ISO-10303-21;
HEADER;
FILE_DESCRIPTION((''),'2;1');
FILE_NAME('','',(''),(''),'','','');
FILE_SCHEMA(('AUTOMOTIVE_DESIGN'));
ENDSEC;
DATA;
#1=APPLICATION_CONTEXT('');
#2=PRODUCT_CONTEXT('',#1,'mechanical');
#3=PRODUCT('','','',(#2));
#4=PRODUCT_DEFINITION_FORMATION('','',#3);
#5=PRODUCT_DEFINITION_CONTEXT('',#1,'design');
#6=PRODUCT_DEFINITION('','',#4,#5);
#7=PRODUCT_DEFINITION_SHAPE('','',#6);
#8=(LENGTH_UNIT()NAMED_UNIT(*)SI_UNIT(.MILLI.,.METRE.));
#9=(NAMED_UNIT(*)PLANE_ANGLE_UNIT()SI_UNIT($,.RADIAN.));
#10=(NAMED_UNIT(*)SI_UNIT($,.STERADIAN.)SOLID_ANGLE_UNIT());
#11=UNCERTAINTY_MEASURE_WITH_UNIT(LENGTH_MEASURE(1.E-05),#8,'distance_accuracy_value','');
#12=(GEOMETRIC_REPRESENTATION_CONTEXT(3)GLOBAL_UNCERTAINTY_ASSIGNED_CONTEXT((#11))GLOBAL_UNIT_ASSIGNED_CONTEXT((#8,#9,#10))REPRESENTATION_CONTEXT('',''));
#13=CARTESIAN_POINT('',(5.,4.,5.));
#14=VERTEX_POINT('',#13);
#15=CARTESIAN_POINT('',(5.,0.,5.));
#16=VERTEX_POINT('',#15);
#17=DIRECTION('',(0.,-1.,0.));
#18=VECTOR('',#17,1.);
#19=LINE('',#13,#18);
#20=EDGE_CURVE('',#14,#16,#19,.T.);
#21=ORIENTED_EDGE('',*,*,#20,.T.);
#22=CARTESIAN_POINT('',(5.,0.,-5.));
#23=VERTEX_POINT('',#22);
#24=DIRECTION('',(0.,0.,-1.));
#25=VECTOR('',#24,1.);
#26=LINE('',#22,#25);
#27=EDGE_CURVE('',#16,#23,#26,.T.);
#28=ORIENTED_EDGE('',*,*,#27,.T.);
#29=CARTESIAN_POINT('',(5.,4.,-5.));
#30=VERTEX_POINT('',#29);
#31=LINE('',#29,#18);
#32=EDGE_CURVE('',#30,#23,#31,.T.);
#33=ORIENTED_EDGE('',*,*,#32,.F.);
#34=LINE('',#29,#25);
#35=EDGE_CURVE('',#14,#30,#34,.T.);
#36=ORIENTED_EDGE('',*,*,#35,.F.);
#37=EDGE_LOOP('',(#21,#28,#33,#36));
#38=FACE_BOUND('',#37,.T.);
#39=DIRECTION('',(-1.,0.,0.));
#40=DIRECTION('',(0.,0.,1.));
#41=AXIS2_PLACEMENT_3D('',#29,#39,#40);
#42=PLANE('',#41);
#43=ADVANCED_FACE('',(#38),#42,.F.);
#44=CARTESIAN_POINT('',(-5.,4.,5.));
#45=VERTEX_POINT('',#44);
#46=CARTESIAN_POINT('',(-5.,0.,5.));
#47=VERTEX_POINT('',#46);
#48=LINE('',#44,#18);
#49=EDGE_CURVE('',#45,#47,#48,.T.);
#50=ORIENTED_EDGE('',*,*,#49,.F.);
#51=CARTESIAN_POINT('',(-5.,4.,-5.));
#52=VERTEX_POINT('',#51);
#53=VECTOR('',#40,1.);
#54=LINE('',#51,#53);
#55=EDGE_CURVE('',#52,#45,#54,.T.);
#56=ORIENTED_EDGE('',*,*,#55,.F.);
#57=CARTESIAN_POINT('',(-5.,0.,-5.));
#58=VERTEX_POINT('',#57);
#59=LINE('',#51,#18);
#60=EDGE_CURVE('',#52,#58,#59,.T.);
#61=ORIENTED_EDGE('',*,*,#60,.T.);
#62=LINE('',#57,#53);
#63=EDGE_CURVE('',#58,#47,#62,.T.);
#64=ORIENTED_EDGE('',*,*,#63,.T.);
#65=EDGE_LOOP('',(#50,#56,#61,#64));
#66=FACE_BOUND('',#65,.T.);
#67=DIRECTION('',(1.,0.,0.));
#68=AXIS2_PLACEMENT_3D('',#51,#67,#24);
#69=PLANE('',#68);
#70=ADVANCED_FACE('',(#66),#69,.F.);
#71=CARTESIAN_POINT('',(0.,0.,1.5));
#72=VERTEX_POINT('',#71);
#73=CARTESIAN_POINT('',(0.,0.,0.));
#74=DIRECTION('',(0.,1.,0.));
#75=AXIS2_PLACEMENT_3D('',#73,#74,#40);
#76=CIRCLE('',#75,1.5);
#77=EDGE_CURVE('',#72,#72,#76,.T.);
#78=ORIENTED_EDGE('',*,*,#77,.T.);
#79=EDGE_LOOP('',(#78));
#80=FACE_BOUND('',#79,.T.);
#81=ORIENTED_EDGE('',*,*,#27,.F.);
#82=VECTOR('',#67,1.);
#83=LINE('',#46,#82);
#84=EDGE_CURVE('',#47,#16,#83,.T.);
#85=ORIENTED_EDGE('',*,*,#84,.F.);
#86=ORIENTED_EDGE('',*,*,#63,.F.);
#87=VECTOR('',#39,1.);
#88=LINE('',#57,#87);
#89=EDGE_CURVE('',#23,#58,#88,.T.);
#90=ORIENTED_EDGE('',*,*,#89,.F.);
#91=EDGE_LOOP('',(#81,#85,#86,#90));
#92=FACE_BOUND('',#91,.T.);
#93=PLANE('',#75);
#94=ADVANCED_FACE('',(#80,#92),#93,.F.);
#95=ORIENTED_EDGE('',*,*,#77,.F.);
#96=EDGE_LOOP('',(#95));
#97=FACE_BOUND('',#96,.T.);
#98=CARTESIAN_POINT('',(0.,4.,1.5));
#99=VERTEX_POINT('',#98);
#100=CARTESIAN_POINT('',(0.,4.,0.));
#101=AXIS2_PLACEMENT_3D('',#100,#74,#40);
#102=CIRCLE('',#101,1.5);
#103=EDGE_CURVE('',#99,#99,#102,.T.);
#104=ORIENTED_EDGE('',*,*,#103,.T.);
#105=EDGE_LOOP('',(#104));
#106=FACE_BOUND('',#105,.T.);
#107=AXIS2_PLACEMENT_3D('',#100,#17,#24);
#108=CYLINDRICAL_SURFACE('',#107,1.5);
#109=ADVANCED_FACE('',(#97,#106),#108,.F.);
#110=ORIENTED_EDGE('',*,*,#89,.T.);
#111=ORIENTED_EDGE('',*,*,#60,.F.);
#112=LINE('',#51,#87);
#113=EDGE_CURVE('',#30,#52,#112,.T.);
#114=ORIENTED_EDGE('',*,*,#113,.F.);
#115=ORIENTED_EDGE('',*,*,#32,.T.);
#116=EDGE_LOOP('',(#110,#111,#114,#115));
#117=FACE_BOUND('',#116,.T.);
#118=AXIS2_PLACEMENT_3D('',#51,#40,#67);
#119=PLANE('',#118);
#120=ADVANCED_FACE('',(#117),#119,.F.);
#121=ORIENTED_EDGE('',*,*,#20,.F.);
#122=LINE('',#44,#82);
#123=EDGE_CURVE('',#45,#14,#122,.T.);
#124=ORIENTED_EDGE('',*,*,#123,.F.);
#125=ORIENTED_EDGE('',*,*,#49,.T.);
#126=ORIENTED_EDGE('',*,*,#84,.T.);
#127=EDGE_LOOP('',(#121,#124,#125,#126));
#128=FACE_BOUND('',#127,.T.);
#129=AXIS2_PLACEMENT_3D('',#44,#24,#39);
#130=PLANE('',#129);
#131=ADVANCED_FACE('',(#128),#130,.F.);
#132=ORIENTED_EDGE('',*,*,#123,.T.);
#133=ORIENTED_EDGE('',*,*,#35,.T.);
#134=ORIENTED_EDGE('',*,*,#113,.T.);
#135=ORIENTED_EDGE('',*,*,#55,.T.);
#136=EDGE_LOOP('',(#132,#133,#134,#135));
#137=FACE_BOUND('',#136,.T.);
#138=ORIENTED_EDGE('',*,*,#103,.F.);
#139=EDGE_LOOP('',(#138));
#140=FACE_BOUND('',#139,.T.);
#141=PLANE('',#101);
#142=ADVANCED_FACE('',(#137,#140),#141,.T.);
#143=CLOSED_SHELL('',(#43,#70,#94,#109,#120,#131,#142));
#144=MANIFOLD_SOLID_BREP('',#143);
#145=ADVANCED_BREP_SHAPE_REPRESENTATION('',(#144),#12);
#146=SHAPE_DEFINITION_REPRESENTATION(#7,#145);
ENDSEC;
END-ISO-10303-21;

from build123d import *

# Parameters (mm, degrees)
SKETCH1_W           = 10
SKETCH1_H           = 10
SKETCH1_R           = 1.5
BOSS_EXTRUDE1_DEPTH = 4


with BuildPart() as part:
    # Sketch1 → Boss-Extrude1 (new body)
    with BuildSketch(Plane(origin=(0, 0, 0), x_dir=(1, 0, 0), z_dir=(0, 1, 0))):
        Rectangle(SKETCH1_W, SKETCH1_H)
        with Locations(Location((0, 0, 0), (0, 0, 270))):
            Circle(SKETCH1_R, mode=Mode.SUBTRACT)
    extrude(amount=BOSS_EXTRUDE1_DEPTH)


solid = part.part
